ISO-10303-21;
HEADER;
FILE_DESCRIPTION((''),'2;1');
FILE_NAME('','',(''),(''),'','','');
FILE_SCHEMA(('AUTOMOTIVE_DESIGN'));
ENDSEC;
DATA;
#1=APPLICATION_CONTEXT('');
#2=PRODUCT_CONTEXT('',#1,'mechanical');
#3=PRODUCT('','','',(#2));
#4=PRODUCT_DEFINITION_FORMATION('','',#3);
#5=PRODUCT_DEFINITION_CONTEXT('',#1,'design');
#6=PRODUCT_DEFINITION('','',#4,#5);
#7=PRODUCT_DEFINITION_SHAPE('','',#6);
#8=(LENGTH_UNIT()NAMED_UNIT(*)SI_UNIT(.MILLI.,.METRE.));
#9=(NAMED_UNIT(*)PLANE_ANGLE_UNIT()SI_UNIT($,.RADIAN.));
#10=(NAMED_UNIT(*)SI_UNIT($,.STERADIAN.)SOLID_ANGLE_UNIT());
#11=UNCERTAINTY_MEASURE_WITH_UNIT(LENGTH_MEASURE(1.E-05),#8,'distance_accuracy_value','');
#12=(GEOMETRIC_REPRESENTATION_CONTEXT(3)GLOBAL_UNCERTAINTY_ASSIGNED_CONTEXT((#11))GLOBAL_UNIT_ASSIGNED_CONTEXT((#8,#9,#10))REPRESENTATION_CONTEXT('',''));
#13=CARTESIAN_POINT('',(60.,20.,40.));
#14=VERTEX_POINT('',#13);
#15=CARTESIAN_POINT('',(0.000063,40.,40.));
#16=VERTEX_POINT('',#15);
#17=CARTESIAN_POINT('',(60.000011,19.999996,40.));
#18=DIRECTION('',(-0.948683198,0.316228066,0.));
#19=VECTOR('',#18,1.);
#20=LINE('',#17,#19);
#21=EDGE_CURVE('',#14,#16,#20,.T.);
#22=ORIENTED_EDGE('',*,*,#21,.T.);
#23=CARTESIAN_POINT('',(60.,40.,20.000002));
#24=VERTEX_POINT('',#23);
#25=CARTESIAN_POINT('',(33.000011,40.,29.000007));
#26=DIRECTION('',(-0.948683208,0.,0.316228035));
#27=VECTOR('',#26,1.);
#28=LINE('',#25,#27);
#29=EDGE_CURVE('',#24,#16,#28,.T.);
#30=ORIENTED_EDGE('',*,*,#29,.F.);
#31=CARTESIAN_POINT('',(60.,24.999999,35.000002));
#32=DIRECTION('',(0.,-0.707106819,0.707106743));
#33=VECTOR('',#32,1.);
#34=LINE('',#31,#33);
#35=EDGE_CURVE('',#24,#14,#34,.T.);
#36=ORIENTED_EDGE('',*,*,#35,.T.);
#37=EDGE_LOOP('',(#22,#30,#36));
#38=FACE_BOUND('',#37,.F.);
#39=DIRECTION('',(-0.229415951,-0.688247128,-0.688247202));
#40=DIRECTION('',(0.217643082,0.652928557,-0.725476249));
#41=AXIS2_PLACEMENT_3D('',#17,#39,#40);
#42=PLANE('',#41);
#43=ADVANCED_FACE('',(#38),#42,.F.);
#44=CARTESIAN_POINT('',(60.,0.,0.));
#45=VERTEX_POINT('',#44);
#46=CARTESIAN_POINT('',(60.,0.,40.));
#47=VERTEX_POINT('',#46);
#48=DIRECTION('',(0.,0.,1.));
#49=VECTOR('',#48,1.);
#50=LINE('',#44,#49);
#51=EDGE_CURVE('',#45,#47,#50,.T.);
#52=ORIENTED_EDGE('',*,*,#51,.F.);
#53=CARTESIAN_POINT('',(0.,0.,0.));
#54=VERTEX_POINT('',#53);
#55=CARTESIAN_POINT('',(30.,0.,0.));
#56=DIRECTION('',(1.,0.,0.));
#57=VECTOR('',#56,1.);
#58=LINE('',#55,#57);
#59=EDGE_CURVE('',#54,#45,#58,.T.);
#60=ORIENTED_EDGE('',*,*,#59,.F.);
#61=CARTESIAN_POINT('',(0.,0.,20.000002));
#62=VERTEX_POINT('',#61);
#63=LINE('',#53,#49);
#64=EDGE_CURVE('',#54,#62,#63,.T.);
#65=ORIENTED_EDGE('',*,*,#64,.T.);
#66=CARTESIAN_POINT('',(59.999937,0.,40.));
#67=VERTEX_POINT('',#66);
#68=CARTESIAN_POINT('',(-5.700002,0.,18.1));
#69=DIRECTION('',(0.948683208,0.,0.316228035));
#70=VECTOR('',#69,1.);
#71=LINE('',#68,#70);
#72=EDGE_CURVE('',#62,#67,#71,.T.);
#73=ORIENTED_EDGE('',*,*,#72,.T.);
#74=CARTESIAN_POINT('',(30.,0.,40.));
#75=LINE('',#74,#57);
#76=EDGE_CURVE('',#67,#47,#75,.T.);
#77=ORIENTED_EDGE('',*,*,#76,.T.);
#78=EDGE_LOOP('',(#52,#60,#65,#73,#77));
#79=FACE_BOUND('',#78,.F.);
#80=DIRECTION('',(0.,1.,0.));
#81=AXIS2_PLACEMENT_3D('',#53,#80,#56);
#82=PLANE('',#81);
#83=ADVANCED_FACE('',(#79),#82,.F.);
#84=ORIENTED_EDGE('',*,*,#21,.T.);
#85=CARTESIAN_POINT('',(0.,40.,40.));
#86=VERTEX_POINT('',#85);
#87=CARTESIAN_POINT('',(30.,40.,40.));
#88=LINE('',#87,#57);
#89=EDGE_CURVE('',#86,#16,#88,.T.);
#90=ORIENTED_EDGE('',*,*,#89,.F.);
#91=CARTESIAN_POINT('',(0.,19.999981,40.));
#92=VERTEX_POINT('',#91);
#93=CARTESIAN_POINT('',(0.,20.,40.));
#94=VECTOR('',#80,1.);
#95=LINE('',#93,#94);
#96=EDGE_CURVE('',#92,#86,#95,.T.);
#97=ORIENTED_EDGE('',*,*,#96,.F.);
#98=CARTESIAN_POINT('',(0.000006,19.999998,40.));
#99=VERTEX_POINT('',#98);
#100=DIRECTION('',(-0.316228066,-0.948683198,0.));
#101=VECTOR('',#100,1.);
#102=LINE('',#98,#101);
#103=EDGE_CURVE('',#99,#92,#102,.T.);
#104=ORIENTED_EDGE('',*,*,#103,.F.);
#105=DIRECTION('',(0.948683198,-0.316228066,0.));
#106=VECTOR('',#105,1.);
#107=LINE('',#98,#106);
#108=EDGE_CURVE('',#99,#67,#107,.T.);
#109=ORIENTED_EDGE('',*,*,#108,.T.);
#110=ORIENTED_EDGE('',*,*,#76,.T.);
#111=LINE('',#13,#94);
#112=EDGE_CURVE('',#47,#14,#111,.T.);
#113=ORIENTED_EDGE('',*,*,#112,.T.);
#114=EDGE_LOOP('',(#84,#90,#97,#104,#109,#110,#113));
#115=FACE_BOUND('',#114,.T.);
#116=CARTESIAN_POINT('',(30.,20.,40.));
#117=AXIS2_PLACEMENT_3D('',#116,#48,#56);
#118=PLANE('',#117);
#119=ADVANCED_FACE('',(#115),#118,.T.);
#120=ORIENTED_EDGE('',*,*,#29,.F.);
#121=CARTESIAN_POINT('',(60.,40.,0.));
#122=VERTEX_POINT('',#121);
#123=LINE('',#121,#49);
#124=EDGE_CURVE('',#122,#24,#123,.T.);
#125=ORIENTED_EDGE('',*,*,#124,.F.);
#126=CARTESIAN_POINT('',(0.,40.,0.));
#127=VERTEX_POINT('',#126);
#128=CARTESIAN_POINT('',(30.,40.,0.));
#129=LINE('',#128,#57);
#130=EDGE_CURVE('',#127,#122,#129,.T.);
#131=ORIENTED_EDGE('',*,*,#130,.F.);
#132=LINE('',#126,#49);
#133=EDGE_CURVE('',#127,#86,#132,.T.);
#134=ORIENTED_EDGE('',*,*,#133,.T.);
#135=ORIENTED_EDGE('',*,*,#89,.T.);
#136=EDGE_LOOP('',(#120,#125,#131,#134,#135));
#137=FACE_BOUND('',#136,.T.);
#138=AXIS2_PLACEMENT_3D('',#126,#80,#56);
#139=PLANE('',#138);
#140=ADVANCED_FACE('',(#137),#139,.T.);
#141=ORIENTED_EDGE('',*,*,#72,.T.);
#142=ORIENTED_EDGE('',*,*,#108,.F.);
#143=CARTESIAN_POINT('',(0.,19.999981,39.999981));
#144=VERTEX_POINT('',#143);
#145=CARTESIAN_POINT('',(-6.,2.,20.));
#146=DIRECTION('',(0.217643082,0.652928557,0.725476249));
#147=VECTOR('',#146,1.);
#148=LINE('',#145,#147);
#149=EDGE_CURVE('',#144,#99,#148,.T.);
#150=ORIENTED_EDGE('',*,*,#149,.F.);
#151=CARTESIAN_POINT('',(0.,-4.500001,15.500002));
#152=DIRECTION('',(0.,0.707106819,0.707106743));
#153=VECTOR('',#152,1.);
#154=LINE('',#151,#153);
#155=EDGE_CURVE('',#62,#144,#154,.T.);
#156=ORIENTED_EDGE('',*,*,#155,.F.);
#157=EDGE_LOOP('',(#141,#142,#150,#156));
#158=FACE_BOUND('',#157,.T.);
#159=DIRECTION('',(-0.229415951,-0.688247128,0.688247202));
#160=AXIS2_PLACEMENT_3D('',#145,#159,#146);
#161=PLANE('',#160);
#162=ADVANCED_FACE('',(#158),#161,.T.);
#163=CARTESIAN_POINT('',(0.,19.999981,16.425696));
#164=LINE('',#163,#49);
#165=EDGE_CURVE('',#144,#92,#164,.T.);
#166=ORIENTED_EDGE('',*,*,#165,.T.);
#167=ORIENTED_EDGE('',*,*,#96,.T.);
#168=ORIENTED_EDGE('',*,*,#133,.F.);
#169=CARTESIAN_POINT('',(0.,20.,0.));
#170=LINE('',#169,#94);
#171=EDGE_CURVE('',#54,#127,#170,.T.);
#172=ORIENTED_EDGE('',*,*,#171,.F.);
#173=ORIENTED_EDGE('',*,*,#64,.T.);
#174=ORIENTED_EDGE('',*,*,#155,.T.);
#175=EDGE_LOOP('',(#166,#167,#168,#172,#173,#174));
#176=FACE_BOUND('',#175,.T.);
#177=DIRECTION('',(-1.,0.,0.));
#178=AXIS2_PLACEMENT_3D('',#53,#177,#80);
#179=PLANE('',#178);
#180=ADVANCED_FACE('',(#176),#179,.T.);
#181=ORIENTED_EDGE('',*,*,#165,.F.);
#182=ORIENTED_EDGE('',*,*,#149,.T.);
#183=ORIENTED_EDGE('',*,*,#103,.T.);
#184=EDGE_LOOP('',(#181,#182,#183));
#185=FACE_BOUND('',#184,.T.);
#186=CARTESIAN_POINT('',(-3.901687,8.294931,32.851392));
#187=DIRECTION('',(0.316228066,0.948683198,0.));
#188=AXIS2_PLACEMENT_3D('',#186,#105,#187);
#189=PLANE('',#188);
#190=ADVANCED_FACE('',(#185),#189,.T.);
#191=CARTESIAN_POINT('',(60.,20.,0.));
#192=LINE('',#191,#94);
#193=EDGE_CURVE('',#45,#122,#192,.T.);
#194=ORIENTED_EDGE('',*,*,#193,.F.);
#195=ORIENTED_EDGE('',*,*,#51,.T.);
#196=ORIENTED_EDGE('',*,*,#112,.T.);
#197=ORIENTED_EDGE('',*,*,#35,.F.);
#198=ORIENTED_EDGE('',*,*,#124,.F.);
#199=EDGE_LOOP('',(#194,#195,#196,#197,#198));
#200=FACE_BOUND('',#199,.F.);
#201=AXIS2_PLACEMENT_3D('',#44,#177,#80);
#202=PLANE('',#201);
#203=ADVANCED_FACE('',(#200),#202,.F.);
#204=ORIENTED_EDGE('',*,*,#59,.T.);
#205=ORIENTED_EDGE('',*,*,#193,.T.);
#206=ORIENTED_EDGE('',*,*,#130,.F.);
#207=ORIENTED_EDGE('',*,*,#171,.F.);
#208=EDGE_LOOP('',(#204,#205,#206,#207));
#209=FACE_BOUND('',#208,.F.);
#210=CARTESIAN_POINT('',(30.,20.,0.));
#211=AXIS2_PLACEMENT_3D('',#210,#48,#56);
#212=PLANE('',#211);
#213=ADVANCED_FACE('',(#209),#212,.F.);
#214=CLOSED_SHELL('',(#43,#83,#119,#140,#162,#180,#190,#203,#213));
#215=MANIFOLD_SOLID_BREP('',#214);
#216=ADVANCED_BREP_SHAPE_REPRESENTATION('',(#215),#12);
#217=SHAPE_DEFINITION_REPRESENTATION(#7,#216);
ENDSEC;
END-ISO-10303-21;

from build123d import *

# Parameters (mm, degrees)
F0_W     = 60
F0_H     = 40
F1_DEPTH = 40
F5_DEPTH = 63.246553
F8_DEPTH = 63.246553


with BuildPart() as f1:
    # F0 (on Top) → F1 (new body)
    with BuildSketch(Plane.XY):
        with Locations((30, 20)):
            Rectangle(F0_W, F0_H)
    extrude(amount=F1_DEPTH)

    # F4 (on face) → F5 (cut, through all)
    with BuildSketch(Plane(origin=(-6, 2, 0), x_dir=(0.316228, 0.948683, 0), z_dir=(0.948683, -0.316228, 0))):
        Polygon((18.973666, 40), (0, 40), (0, 20), align=None)
    extrude(amount=F5_DEPTH, mode=Mode.SUBTRACT)

    # F7 (on face) → F8 (cut, through all)
    with BuildSketch(Plane(origin=(48, -16, 0), x_dir=(0.316228, 0.948683, 0), z_dir=(0.948683, -0.316228, 0))):
        Polygon((56.920998, 40), (37.947332, 40), (56.920998, 20), align=None)
    extrude(amount=-F8_DEPTH, mode=Mode.SUBTRACT)


solid = f1.part
